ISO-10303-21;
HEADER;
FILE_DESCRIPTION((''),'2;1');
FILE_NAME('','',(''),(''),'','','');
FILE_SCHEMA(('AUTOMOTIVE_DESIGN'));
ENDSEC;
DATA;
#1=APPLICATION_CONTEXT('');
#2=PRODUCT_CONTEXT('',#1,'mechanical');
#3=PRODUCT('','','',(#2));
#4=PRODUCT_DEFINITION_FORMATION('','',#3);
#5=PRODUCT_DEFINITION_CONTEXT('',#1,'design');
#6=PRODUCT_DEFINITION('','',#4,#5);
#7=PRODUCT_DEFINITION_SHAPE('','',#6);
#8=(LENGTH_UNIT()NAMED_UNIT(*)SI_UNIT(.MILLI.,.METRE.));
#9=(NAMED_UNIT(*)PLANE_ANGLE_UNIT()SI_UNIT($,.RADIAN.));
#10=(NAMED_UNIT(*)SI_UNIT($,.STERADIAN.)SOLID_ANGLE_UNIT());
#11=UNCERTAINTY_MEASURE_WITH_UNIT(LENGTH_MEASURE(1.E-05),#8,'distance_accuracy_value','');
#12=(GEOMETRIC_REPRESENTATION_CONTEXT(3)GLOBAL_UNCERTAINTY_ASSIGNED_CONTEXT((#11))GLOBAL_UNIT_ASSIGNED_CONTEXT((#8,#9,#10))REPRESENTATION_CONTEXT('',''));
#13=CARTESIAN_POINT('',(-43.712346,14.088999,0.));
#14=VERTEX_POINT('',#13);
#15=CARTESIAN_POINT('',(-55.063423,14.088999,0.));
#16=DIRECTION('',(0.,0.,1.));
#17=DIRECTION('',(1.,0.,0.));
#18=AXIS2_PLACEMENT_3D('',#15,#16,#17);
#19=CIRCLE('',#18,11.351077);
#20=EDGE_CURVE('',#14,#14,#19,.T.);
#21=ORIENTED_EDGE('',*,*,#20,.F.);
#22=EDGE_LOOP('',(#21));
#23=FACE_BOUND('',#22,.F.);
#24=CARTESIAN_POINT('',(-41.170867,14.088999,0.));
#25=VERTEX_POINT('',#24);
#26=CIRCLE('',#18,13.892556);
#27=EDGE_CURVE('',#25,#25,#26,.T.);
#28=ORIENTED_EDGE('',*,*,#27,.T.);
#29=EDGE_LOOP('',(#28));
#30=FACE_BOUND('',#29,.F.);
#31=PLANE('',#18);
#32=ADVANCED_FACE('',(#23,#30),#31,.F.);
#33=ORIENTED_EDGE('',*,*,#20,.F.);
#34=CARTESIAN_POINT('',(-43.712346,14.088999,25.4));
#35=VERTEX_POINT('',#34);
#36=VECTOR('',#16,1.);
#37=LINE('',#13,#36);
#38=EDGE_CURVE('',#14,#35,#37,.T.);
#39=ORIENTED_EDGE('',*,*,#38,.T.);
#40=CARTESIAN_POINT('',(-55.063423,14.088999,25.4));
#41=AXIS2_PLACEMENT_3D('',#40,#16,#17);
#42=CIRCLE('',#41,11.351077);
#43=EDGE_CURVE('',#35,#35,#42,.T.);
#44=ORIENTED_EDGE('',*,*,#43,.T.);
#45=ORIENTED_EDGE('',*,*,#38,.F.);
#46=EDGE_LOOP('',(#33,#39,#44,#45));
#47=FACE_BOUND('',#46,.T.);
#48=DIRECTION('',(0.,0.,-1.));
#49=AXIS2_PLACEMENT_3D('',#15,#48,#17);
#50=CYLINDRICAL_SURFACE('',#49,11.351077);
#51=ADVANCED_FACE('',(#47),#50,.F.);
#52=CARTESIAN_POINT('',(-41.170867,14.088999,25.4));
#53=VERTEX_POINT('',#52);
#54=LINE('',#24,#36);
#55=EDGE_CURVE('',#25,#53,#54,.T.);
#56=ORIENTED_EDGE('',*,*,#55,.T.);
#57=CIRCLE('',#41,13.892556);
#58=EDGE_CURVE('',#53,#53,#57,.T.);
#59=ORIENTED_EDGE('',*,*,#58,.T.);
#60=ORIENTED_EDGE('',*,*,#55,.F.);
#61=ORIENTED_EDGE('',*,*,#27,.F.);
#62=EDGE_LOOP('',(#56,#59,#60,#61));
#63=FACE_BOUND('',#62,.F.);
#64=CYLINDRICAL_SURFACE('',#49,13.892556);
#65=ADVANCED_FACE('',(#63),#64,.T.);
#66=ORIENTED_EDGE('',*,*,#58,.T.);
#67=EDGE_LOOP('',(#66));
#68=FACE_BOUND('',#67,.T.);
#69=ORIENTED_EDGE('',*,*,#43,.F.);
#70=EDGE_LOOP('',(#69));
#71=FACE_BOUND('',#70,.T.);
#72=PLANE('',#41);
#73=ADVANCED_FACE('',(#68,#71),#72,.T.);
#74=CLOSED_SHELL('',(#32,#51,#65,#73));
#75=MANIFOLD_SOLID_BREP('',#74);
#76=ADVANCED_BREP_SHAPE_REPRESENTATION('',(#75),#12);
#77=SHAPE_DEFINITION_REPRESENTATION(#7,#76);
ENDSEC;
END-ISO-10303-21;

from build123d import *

# Parameters (mm, degrees)
F3_R     = 11.3510766414
F4_DEPTH = 25.4
F0_R     = 13.8925555002
F0_R_2   = 11.3510766414
F5_R     = 11.3510766414
F6_DEPTH = 25.401


with BuildPart() as f4:
    # F3 (on face) → F4 (new body)
    with BuildSketch(Plane.XY):
        with Locations((-55.0634227693, 14.0889985487)):
            Circle(F3_R)
    extrude(amount=F4_DEPTH)

    # F5 (on face) → F6 (cut, through all)
    with BuildSketch(Plane.XY.offset(25.4)):
        with Locations((-55.0634227693, 14.0889985487)):
            Circle(F5_R)
    extrude(amount=-F6_DEPTH, mode=Mode.SUBTRACT)


with BuildPart() as f4b:
    # F0 (on Top) → F4, piece 2 (new body)
    with BuildSketch(Plane.XY):
        with Locations((-55.0634227693, 14.0889985487)):
            Circle(F0_R)
        with Locations((-55.0634227693, 14.0889985487)):
            Circle(F0_R_2, mode=Mode.SUBTRACT)
    extrude(amount=F4_DEPTH)


solid = f4b.part
